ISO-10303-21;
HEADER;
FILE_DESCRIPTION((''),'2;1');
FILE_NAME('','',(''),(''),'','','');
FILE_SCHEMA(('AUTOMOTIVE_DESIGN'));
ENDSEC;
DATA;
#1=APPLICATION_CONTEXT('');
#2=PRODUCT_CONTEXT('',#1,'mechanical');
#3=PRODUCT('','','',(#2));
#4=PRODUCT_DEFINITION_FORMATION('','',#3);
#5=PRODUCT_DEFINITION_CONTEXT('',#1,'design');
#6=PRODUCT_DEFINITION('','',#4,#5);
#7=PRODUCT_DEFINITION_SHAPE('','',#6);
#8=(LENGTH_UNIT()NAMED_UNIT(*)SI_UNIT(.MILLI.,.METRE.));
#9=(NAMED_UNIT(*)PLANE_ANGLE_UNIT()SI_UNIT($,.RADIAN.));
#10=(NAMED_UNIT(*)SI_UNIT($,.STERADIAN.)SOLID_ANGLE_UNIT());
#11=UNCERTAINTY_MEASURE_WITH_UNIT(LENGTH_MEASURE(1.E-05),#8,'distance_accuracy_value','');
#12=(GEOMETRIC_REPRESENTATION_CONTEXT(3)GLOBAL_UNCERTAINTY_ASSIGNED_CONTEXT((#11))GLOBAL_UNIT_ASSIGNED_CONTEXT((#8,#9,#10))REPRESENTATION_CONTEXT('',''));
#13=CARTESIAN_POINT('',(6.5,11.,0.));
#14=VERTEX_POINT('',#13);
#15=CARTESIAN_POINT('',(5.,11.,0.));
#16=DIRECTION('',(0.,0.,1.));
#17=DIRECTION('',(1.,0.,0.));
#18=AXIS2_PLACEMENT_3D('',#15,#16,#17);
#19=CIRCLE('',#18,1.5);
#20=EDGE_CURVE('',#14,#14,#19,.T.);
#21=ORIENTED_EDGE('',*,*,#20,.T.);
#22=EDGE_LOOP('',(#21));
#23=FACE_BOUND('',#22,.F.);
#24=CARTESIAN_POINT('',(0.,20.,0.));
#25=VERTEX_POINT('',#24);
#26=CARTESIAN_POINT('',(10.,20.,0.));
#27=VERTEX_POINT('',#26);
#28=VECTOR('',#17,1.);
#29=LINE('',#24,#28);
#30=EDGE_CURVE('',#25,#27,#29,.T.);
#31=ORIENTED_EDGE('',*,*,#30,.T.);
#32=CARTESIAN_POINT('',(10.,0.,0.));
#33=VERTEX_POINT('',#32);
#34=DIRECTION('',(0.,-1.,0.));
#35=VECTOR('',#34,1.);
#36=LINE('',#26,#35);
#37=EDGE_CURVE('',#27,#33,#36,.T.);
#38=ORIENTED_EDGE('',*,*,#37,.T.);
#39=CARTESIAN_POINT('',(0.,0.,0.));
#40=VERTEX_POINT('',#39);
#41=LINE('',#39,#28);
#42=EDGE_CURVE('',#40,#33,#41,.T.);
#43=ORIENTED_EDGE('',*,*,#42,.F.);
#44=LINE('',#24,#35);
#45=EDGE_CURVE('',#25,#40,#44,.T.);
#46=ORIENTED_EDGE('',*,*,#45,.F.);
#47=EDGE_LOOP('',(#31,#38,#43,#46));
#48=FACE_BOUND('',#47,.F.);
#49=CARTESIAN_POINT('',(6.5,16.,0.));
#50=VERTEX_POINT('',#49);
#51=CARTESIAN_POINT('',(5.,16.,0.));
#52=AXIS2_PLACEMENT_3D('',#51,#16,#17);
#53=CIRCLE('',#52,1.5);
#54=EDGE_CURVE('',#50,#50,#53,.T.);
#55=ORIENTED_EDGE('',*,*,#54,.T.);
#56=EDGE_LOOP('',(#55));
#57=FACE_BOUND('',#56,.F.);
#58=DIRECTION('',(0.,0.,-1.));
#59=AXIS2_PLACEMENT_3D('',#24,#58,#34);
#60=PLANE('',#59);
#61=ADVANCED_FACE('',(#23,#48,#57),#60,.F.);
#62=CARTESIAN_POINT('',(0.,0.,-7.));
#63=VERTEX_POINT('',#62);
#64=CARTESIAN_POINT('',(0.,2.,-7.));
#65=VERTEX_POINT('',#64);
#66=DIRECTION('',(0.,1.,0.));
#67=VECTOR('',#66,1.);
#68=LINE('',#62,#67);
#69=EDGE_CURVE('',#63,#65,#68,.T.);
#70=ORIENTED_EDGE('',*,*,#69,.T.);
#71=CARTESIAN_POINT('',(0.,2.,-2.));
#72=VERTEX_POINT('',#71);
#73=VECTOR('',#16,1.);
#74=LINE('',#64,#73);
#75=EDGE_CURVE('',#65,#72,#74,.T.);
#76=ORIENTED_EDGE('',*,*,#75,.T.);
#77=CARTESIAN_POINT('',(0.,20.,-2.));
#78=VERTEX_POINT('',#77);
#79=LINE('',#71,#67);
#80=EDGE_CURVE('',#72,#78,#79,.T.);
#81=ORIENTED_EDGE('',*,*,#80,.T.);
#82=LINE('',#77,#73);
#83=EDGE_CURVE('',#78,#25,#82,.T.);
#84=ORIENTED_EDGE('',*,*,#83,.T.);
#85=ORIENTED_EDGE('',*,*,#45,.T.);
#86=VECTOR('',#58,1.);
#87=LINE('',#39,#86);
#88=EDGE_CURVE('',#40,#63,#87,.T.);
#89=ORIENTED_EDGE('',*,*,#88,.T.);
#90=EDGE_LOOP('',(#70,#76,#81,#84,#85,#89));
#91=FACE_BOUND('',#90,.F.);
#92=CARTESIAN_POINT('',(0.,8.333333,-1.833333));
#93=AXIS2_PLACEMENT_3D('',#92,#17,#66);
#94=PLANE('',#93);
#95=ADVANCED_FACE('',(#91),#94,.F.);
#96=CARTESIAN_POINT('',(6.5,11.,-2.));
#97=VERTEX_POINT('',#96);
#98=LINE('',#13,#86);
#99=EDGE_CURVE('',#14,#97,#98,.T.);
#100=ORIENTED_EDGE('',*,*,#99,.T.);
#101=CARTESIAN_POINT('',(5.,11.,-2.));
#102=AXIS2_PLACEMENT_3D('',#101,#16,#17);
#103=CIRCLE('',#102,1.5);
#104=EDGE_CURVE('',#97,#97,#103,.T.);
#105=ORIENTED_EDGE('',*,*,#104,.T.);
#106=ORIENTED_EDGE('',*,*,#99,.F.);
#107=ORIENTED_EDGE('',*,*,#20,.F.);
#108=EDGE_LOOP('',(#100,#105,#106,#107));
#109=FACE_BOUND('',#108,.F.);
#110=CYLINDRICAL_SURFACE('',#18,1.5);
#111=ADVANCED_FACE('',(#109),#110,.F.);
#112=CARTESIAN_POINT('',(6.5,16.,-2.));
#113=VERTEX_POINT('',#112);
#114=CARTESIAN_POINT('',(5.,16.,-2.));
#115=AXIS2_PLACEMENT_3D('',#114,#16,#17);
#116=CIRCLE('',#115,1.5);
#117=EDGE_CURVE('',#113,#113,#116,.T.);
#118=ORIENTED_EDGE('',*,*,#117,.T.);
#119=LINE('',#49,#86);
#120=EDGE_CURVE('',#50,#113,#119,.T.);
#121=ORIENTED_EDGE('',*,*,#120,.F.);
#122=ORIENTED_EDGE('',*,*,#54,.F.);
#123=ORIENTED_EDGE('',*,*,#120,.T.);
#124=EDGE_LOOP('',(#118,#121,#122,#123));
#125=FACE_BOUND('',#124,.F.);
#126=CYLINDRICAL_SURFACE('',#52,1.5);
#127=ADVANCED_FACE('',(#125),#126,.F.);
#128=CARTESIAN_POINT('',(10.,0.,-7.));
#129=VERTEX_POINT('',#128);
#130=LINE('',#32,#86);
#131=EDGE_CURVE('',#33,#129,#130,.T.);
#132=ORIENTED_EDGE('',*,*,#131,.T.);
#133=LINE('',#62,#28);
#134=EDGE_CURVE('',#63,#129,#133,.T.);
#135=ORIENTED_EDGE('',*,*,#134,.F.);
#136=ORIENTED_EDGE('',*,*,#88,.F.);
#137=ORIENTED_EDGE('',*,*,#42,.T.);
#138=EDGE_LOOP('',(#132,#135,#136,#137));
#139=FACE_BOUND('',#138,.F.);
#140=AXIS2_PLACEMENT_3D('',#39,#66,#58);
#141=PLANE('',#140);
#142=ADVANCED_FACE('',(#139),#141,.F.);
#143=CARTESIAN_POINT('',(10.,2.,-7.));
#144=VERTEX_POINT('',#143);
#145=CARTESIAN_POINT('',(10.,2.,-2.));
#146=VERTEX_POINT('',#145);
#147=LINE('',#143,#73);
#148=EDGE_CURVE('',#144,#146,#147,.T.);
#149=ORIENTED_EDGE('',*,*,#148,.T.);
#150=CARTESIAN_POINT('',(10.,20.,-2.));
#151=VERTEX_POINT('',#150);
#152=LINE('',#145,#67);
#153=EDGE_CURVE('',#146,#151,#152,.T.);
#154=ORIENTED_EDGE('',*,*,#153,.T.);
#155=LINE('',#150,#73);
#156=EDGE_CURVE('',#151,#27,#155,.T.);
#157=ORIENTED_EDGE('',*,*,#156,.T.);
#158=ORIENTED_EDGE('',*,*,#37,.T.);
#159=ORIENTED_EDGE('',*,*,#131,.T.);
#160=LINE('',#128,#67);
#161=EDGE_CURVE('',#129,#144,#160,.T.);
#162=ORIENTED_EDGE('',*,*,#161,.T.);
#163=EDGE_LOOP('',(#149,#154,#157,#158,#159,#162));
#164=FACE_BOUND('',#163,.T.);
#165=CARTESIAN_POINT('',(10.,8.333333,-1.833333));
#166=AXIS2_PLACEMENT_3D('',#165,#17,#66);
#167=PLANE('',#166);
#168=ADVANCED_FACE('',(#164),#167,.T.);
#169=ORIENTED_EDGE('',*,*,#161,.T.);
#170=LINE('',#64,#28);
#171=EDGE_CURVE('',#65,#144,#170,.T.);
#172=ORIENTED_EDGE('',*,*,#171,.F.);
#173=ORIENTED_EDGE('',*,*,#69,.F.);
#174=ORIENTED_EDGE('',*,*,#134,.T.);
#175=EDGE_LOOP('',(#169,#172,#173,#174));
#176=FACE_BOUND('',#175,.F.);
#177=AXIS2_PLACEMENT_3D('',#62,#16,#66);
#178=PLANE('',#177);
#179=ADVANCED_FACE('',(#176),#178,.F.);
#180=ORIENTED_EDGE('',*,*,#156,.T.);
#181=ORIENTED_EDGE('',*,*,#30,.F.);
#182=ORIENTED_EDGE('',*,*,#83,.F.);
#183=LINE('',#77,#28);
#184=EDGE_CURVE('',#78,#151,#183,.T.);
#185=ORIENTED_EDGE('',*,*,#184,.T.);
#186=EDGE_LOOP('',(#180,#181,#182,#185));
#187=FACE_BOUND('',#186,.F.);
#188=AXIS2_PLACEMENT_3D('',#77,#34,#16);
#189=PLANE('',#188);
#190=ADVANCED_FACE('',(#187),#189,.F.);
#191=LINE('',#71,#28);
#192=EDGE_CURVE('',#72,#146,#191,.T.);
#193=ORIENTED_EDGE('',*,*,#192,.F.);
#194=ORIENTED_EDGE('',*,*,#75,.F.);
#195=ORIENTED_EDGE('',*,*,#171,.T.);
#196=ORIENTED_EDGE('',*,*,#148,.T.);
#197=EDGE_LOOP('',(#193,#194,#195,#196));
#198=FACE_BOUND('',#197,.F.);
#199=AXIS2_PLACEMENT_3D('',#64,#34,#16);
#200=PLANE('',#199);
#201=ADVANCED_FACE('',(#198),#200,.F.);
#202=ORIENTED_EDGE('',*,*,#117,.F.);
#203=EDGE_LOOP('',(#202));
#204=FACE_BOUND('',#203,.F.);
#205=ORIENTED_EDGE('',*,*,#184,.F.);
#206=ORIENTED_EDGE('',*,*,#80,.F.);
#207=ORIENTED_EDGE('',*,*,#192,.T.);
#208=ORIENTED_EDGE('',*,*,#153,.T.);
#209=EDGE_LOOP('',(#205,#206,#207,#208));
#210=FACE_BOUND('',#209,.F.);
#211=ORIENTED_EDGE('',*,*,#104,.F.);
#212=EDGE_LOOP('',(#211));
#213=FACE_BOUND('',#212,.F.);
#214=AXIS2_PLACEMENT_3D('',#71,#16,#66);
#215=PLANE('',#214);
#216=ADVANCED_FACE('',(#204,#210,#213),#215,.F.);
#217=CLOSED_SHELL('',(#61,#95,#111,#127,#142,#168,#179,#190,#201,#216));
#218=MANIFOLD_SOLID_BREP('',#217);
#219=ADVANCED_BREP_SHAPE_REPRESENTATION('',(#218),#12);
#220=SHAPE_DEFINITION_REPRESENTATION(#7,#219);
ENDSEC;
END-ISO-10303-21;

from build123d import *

# Parameters (mm, degrees)
F1_DEPTH = 10
F2_R     = 1.5
F3_DEPTH = 25


with BuildPart() as f1:
    # F0 (on Right) → F1 (new body)
    with BuildSketch(Plane.YZ):
        Polygon((20, 0), (0, 0), (0, -7), (2, -7), (2, -2), (20, -2), align=None)
    extrude(amount=F1_DEPTH)

    # F2 (on face) → F3 (cut)
    with BuildSketch(Plane.XY):
        with Locations((5, 16)):
            Circle(F2_R)
        with Locations((5, 11)):
            Circle(F2_R)
    extrude(amount=-F3_DEPTH, mode=Mode.SUBTRACT)


solid = f1.part
